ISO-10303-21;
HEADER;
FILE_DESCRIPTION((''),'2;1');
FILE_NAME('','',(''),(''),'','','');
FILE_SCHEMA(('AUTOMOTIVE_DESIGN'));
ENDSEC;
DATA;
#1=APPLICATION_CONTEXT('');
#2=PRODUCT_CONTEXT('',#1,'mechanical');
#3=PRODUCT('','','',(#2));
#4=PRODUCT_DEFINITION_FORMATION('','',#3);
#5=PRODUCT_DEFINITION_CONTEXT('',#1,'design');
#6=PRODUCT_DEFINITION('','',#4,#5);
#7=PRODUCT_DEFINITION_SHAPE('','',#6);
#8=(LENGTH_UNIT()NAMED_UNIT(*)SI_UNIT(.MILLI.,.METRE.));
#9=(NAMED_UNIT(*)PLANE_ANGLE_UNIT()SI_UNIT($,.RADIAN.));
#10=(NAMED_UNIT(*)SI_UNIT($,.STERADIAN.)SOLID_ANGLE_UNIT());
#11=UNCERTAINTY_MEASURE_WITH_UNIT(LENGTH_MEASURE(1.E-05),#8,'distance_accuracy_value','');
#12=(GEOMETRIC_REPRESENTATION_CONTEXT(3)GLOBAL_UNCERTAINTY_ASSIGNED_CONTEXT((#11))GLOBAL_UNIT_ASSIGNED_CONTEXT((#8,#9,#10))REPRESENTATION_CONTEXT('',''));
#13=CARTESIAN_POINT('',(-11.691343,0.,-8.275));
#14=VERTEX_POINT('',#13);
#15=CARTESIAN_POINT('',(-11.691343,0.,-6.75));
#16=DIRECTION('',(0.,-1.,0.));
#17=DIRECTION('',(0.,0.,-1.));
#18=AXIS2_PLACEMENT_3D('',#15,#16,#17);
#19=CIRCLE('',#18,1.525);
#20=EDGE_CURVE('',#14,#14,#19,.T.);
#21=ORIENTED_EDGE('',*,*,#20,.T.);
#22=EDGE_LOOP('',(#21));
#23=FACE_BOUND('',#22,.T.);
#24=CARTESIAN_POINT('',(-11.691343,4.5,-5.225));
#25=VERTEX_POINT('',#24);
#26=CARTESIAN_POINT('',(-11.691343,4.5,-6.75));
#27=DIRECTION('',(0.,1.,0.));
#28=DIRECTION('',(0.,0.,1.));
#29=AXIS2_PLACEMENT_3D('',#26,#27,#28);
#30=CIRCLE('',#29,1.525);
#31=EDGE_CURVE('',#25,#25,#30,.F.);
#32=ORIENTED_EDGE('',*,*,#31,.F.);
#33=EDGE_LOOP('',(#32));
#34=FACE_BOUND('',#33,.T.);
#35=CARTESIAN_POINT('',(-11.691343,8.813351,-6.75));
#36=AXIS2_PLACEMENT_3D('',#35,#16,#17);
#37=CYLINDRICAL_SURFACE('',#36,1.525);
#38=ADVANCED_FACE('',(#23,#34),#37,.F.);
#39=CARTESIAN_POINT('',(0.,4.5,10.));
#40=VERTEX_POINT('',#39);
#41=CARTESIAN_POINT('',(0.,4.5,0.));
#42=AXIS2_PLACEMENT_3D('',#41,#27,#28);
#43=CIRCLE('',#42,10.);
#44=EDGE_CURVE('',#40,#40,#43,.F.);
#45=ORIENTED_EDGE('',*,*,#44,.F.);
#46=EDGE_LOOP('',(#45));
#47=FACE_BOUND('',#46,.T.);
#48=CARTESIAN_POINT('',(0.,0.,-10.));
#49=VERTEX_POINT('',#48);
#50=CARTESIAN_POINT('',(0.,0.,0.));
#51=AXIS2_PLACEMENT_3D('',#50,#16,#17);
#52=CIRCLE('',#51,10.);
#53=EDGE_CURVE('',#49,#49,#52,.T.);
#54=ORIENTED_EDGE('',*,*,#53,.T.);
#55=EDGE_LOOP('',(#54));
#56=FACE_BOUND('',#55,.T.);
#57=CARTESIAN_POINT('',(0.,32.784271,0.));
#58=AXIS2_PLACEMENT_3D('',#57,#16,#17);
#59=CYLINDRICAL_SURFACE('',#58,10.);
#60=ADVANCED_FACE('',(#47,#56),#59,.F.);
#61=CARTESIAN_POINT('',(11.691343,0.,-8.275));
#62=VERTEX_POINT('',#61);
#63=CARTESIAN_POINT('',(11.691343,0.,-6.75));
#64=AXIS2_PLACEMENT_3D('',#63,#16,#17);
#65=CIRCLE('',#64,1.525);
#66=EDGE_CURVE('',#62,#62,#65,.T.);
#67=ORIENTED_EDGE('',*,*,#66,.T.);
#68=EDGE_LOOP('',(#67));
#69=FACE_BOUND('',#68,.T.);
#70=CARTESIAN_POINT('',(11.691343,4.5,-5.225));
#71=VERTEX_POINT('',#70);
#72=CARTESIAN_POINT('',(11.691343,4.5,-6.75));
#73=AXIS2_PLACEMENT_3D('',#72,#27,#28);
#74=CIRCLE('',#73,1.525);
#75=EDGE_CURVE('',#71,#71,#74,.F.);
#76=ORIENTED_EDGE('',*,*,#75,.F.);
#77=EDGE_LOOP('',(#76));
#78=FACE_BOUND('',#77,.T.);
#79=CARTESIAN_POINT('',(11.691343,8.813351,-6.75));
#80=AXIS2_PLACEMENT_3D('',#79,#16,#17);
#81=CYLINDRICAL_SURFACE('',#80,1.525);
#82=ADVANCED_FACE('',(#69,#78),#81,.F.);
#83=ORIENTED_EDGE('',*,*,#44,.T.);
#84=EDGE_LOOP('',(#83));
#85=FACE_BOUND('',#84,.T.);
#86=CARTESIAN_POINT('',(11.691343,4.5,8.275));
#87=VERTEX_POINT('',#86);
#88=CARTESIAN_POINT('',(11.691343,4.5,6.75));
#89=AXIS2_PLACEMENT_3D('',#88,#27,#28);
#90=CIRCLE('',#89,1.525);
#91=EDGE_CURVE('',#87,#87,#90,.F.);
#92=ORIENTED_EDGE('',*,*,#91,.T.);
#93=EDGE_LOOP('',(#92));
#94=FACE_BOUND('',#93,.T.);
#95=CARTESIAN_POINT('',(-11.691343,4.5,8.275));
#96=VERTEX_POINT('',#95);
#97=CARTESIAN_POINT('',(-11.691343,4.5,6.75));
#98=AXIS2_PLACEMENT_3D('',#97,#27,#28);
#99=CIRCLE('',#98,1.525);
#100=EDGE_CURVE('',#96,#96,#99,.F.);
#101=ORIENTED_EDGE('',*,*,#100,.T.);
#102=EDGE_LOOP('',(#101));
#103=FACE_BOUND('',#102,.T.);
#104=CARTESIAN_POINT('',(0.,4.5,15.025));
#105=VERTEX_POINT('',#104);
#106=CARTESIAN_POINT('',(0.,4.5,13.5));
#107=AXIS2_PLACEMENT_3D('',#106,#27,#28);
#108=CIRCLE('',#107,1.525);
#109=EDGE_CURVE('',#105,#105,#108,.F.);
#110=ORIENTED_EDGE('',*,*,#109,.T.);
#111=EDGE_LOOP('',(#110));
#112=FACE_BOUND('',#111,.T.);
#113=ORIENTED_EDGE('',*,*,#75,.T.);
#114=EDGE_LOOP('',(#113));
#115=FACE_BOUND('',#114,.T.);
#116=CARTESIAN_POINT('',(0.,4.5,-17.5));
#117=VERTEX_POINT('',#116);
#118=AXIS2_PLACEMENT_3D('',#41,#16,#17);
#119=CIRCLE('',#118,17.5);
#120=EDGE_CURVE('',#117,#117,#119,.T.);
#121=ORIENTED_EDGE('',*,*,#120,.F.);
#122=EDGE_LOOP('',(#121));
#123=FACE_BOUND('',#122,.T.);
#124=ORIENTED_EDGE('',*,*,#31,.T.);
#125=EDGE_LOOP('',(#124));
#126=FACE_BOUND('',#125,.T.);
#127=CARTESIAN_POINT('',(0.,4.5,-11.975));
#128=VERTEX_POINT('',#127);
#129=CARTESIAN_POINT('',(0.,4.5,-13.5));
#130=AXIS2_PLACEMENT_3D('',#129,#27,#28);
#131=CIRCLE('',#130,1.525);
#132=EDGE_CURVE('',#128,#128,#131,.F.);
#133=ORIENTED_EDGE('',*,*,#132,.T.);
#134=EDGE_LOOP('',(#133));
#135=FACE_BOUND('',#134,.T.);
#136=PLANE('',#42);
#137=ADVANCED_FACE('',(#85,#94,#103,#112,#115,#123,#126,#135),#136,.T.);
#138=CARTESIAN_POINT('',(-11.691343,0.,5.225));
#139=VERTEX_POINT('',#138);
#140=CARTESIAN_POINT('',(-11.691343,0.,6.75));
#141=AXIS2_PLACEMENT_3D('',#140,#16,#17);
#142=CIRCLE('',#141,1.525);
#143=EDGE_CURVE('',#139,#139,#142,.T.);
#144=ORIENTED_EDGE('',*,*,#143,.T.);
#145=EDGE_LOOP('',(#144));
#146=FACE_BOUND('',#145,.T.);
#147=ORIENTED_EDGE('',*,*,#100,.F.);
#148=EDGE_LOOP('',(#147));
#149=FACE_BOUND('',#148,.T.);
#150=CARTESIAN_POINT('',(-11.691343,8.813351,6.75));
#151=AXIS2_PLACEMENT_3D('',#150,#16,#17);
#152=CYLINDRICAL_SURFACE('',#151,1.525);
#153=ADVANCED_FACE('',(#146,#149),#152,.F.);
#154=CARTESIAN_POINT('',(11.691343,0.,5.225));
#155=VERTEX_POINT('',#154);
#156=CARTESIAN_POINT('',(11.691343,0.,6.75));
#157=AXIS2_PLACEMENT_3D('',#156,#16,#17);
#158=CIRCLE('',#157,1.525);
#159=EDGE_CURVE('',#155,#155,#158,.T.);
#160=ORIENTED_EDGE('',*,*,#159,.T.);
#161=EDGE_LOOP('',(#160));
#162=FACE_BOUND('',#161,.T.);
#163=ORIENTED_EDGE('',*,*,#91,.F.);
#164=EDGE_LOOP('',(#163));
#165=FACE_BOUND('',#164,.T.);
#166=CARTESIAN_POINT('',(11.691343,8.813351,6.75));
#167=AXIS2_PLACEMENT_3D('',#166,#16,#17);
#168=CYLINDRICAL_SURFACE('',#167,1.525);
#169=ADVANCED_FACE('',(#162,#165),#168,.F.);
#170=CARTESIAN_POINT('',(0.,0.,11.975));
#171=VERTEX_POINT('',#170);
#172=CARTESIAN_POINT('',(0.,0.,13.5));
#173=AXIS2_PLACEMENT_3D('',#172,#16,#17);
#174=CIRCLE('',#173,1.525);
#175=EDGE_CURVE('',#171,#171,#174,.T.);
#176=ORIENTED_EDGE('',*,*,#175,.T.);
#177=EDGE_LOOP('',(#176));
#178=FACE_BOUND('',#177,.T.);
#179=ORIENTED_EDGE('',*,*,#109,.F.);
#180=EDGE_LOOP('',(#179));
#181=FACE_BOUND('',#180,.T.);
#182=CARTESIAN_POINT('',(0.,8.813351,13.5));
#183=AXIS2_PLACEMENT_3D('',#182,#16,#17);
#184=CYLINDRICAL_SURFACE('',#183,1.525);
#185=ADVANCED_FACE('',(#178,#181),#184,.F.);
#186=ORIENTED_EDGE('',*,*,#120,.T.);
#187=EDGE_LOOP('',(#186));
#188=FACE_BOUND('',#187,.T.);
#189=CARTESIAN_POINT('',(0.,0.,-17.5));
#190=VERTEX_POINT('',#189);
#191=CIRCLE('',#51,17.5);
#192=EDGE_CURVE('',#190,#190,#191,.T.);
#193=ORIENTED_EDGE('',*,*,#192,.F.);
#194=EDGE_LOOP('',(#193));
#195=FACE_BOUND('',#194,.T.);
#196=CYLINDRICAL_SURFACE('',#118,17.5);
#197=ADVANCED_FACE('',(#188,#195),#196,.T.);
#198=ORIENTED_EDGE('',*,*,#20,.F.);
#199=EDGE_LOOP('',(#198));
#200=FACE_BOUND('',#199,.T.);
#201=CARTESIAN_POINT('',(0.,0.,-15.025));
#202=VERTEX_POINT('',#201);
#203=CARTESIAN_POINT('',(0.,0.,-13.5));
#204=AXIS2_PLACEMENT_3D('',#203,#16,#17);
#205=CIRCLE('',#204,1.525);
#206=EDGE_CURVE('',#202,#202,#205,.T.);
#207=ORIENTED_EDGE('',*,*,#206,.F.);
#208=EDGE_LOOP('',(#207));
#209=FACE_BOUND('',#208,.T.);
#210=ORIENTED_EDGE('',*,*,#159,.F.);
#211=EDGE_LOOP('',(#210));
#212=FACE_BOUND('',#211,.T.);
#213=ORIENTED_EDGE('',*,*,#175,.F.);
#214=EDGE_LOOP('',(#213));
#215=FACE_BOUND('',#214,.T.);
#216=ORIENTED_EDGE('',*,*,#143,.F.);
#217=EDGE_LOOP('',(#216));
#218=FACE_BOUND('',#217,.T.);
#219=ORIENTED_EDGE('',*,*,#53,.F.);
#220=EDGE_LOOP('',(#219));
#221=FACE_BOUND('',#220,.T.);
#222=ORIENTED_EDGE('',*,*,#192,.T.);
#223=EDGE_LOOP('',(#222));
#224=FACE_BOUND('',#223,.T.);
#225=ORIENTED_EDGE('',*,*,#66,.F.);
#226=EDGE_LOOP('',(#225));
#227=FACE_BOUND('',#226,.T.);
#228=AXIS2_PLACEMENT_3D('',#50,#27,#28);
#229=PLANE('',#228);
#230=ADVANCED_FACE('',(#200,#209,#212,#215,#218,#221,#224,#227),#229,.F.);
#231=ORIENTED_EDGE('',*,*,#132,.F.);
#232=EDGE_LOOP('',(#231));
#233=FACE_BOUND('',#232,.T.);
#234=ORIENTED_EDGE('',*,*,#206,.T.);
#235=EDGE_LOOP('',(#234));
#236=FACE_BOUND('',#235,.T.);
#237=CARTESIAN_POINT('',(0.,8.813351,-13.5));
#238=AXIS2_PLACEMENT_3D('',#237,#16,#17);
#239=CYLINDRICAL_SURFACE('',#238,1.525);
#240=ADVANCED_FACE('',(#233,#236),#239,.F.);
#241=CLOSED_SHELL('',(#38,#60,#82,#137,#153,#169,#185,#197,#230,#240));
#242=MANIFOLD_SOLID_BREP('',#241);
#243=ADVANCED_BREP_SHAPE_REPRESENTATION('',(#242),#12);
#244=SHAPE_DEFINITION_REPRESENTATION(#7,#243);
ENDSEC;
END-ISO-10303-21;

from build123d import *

# Parameters (mm, degrees)
SKETCH_1_R               = 31.5
SKETCH_1_R_2             = 22.5
EXTRUDE_1_DEPTH          = 4.5
SKETCH_2_R               = 2.025
CUT_EXTRUDE_1_DEPTH      = 1
CUT_EXTRUDE_1_DEPTH_BACK = 5.5
SKETCH_3_R               = 22.5
EXTRUDE_2_DEPTH          = 4.5
SKETCH_4_R               = 1.525
CUT_EXTRUDE_2_DEPTH      = 4.5
SKETCH_5_R               = 10
CUT_EXTRUDE_3_DEPTH      = 4.5
SKETCH_6_R               = 31.5
SKETCH_6_R_2             = 17.5
CUT_EXTRUDE_4_DEPTH      = 5.5


with BuildPart() as part:
    # 草图1 → 凸台-拉伸1 (new body)
    with BuildSketch(Plane(origin=(0, 0, 0), x_dir=(1, 0, 0), z_dir=(0, 1, 0))):
        Circle(SKETCH_1_R)
        Circle(SKETCH_1_R_2, mode=Mode.SUBTRACT)
    extrude(amount=EXTRUDE_1_DEPTH)

    # 草图2 → 切除-拉伸1 (cut, two sides)
    with BuildSketch(Plane(origin=(0, 4.5, 0), x_dir=(1, 0, 0), z_dir=(0, 1, 0))) as cut_extrude_1_sk:
        with Locations((0, 26.25)):
            Circle(SKETCH_2_R)
        with Locations((18.561553006, 18.561553006)):
            Circle(SKETCH_2_R)
        with Locations((26.25, 0)):
            Circle(SKETCH_2_R)
        with Locations((18.561553006, -18.561553006)):
            Circle(SKETCH_2_R)
        with Locations((0, -26.25)):
            Circle(SKETCH_2_R)
        with Locations((-18.561553006, -18.561553006)):
            Circle(SKETCH_2_R)
        with Locations((-26.25, 0)):
            Circle(SKETCH_2_R)
        with Locations((-18.561553006, 18.561553006)):
            Circle(SKETCH_2_R)
    extrude(amount=CUT_EXTRUDE_1_DEPTH, mode=Mode.SUBTRACT)
    extrude(cut_extrude_1_sk.sketch, amount=-CUT_EXTRUDE_1_DEPTH_BACK, mode=Mode.SUBTRACT)

    # 草图3 → 凸台-拉伸2 (add)
    with BuildSketch(Plane(origin=(0, 4.5, 0), x_dir=(1, 0, 0), z_dir=(0, 1, 0))):
        Circle(SKETCH_3_R)
    extrude(amount=-EXTRUDE_2_DEPTH)

    # 草图4 → 切除-拉伸2 (cut)
    with BuildSketch(Plane.XZ):
        with Locations((0, 13.5)):
            Circle(SKETCH_4_R)
        with Locations((11.691342951, 6.75)):
            Circle(SKETCH_4_R)
        with Locations((11.691342951, -6.75)):
            Circle(SKETCH_4_R)
        with Locations((0, -13.5)):
            Circle(SKETCH_4_R)
        with Locations((-11.691342951, -6.75)):
            Circle(SKETCH_4_R)
        with Locations((-11.691342951, 6.75)):
            Circle(SKETCH_4_R)
    extrude(amount=-CUT_EXTRUDE_2_DEPTH, mode=Mode.SUBTRACT)

    # 草图5 → 切除-拉伸3 (cut)
    with BuildSketch(Plane.XZ):
        Circle(SKETCH_5_R)
    extrude(amount=-CUT_EXTRUDE_3_DEPTH, mode=Mode.SUBTRACT)

    # 草图6 → 切除-拉伸4 (cut, through all)
    with BuildSketch(Plane.XZ):
        Circle(SKETCH_6_R)
        Circle(SKETCH_6_R_2, mode=Mode.SUBTRACT)
    extrude(amount=-CUT_EXTRUDE_4_DEPTH, mode=Mode.SUBTRACT)


solid = part.part
